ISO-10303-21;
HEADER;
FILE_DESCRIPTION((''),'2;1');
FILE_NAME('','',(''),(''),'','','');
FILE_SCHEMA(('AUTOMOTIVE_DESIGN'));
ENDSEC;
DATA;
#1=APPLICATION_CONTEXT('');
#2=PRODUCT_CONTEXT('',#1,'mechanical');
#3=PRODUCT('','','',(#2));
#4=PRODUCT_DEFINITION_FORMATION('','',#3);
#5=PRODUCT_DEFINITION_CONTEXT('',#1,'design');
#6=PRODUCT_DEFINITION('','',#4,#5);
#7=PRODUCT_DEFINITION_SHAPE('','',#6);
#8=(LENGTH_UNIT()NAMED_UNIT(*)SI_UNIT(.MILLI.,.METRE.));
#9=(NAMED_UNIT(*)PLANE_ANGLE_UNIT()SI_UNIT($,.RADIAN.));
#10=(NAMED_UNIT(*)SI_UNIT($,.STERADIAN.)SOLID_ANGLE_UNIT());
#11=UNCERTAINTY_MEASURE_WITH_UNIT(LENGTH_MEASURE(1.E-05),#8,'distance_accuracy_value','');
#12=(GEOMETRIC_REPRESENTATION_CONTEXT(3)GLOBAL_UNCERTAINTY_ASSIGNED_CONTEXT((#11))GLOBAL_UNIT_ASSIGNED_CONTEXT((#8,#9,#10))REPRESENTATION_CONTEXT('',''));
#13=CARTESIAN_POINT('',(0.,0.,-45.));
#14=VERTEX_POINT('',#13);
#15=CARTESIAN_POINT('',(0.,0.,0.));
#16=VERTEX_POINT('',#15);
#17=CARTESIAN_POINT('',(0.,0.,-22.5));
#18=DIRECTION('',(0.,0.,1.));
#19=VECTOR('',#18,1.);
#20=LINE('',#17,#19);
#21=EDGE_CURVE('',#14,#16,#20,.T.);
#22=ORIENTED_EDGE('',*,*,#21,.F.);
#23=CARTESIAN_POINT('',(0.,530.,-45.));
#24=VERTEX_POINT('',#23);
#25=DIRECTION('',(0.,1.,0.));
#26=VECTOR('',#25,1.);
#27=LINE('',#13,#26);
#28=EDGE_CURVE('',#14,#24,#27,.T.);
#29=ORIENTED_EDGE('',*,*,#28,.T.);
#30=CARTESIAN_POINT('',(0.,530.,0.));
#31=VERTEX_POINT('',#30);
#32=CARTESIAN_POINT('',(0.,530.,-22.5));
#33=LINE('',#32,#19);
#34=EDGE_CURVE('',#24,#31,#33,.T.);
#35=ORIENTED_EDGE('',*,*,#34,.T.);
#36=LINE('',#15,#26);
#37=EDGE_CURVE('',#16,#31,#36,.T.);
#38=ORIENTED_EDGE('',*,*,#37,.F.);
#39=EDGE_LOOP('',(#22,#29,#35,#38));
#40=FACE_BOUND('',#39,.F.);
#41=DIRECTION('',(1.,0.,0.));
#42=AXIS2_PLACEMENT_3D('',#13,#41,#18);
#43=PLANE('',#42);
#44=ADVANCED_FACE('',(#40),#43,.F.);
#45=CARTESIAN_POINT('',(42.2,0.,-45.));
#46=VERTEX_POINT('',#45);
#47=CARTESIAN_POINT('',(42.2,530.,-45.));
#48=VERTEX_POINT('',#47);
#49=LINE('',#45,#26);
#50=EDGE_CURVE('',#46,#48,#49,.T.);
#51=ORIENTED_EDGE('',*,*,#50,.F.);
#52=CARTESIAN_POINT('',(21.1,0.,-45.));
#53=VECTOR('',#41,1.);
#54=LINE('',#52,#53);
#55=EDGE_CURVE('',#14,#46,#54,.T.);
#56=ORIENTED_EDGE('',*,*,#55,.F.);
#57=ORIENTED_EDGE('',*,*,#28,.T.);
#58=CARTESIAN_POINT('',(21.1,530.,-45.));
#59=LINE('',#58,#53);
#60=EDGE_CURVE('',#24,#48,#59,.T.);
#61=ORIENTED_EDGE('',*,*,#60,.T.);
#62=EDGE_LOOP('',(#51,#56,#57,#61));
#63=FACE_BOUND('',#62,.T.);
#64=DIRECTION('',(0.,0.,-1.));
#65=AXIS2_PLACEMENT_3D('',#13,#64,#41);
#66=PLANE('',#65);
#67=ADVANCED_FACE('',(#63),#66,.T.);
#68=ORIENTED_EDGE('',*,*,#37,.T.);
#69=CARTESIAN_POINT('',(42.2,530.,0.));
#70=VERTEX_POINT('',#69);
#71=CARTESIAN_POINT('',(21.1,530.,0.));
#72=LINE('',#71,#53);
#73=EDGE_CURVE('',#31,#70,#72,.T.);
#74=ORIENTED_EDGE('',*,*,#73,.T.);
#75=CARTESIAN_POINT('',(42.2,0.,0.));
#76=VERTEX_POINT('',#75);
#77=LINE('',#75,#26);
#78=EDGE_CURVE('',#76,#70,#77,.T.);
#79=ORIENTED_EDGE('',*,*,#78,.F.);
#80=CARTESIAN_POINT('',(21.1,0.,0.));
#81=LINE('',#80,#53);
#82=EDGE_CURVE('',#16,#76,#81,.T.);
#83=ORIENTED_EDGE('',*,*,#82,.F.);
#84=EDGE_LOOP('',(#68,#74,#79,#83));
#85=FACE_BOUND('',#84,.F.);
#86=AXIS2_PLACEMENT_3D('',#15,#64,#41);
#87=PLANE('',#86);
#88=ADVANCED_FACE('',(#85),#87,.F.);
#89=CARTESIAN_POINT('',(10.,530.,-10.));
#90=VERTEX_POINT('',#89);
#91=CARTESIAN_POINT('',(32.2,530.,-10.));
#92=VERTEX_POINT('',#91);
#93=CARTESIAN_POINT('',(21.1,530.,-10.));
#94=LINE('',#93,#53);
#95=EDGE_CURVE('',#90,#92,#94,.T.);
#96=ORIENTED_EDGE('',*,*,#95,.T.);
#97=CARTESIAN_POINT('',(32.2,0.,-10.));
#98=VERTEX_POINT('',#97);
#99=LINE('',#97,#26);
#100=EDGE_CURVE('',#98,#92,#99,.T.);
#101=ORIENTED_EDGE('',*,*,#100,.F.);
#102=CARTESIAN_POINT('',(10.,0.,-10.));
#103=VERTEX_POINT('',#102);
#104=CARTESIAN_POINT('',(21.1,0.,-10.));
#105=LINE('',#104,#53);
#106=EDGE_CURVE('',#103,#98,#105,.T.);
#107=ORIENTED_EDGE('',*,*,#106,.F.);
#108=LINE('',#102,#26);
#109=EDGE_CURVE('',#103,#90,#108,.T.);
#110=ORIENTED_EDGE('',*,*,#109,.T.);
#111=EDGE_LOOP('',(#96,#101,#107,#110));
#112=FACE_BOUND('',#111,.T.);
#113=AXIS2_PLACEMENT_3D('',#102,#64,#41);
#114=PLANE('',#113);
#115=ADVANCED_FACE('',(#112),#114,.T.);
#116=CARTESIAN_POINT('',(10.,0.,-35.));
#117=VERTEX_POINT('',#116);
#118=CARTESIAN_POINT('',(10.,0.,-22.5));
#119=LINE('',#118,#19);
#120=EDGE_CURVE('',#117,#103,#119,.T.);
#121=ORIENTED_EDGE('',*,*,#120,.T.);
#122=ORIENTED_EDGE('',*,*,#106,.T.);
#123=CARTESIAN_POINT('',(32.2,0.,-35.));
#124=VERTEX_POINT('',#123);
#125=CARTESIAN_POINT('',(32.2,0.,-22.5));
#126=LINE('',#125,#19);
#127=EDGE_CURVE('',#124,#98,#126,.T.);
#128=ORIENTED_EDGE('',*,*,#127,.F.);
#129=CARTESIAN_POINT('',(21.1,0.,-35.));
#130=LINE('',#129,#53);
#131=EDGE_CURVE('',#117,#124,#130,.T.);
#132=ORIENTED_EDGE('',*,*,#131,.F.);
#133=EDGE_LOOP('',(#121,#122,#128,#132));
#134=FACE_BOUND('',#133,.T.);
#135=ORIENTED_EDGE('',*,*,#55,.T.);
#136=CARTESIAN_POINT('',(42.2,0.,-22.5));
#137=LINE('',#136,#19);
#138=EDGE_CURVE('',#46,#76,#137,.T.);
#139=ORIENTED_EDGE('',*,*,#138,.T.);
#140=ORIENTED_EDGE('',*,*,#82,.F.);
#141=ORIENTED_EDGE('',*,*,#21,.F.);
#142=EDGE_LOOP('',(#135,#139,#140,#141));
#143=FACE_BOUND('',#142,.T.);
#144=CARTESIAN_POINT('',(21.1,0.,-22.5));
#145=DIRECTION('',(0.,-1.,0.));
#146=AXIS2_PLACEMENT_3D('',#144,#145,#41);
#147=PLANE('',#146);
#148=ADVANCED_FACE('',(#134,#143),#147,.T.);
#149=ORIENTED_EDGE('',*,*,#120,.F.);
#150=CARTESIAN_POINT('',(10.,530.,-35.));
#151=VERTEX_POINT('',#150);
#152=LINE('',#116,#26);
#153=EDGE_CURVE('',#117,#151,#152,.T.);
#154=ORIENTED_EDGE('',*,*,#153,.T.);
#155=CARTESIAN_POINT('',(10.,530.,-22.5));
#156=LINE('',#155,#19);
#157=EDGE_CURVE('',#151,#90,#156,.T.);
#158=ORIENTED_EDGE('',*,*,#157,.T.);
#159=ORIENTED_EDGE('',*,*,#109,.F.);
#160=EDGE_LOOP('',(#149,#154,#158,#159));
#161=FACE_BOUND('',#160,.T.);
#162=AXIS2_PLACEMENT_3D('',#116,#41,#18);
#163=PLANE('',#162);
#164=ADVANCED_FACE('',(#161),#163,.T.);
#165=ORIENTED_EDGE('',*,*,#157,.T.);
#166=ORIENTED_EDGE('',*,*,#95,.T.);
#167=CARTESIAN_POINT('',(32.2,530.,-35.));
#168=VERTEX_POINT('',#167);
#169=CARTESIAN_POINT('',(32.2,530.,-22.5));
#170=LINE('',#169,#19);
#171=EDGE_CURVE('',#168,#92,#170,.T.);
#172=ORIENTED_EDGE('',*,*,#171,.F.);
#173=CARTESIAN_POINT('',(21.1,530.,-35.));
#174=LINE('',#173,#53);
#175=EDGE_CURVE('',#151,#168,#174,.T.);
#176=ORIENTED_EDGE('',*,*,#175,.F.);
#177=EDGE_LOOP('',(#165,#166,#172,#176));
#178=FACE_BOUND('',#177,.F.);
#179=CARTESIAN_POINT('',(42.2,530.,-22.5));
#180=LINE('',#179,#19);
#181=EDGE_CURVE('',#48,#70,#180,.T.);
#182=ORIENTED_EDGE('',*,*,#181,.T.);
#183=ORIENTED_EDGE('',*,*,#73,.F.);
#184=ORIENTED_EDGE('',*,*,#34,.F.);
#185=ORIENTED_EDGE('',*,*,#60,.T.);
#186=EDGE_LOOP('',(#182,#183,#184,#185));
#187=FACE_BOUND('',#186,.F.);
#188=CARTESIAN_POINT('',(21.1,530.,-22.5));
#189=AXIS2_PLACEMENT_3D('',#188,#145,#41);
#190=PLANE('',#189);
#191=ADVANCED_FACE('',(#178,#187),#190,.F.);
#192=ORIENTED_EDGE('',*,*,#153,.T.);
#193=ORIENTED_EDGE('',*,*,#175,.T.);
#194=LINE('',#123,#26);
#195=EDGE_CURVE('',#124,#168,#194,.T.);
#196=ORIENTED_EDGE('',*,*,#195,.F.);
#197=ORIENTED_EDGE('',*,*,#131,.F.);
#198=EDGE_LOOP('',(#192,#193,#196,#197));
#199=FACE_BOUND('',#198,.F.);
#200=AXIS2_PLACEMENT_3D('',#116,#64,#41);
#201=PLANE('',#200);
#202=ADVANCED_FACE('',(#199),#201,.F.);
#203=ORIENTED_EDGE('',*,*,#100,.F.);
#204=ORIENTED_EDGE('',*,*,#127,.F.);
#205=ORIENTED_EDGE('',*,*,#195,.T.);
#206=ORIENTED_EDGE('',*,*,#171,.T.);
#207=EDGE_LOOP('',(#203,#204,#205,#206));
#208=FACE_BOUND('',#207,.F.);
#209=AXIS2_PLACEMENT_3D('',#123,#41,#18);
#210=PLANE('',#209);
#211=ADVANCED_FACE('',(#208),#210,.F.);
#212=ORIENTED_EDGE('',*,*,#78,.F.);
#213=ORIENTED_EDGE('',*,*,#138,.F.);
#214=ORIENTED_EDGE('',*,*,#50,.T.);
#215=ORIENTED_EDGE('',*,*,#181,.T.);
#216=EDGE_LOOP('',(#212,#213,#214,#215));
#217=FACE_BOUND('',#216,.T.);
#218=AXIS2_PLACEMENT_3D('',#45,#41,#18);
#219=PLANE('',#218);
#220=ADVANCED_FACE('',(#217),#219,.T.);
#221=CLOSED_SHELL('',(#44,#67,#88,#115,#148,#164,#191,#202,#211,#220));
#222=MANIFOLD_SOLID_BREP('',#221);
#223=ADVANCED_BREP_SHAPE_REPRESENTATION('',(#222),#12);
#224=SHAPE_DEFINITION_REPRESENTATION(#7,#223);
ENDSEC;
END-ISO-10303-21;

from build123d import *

# Parameters (mm, degrees)
F0_W     = 42.2
F0_H     = 45
F0_W_2   = 22.2
F0_H_2   = 25
F1_DEPTH = 530


with BuildPart() as f1:
    # F0 (on Front) → F1 (new body)
    with BuildSketch(Plane.XZ):
        with Locations((21.1, -22.5)):
            Rectangle(F0_W, F0_H)
        with Locations((21.1, -22.5)):
            Rectangle(F0_W_2, F0_H_2, mode=Mode.SUBTRACT)
    extrude(amount=-F1_DEPTH)


solid = f1.part
